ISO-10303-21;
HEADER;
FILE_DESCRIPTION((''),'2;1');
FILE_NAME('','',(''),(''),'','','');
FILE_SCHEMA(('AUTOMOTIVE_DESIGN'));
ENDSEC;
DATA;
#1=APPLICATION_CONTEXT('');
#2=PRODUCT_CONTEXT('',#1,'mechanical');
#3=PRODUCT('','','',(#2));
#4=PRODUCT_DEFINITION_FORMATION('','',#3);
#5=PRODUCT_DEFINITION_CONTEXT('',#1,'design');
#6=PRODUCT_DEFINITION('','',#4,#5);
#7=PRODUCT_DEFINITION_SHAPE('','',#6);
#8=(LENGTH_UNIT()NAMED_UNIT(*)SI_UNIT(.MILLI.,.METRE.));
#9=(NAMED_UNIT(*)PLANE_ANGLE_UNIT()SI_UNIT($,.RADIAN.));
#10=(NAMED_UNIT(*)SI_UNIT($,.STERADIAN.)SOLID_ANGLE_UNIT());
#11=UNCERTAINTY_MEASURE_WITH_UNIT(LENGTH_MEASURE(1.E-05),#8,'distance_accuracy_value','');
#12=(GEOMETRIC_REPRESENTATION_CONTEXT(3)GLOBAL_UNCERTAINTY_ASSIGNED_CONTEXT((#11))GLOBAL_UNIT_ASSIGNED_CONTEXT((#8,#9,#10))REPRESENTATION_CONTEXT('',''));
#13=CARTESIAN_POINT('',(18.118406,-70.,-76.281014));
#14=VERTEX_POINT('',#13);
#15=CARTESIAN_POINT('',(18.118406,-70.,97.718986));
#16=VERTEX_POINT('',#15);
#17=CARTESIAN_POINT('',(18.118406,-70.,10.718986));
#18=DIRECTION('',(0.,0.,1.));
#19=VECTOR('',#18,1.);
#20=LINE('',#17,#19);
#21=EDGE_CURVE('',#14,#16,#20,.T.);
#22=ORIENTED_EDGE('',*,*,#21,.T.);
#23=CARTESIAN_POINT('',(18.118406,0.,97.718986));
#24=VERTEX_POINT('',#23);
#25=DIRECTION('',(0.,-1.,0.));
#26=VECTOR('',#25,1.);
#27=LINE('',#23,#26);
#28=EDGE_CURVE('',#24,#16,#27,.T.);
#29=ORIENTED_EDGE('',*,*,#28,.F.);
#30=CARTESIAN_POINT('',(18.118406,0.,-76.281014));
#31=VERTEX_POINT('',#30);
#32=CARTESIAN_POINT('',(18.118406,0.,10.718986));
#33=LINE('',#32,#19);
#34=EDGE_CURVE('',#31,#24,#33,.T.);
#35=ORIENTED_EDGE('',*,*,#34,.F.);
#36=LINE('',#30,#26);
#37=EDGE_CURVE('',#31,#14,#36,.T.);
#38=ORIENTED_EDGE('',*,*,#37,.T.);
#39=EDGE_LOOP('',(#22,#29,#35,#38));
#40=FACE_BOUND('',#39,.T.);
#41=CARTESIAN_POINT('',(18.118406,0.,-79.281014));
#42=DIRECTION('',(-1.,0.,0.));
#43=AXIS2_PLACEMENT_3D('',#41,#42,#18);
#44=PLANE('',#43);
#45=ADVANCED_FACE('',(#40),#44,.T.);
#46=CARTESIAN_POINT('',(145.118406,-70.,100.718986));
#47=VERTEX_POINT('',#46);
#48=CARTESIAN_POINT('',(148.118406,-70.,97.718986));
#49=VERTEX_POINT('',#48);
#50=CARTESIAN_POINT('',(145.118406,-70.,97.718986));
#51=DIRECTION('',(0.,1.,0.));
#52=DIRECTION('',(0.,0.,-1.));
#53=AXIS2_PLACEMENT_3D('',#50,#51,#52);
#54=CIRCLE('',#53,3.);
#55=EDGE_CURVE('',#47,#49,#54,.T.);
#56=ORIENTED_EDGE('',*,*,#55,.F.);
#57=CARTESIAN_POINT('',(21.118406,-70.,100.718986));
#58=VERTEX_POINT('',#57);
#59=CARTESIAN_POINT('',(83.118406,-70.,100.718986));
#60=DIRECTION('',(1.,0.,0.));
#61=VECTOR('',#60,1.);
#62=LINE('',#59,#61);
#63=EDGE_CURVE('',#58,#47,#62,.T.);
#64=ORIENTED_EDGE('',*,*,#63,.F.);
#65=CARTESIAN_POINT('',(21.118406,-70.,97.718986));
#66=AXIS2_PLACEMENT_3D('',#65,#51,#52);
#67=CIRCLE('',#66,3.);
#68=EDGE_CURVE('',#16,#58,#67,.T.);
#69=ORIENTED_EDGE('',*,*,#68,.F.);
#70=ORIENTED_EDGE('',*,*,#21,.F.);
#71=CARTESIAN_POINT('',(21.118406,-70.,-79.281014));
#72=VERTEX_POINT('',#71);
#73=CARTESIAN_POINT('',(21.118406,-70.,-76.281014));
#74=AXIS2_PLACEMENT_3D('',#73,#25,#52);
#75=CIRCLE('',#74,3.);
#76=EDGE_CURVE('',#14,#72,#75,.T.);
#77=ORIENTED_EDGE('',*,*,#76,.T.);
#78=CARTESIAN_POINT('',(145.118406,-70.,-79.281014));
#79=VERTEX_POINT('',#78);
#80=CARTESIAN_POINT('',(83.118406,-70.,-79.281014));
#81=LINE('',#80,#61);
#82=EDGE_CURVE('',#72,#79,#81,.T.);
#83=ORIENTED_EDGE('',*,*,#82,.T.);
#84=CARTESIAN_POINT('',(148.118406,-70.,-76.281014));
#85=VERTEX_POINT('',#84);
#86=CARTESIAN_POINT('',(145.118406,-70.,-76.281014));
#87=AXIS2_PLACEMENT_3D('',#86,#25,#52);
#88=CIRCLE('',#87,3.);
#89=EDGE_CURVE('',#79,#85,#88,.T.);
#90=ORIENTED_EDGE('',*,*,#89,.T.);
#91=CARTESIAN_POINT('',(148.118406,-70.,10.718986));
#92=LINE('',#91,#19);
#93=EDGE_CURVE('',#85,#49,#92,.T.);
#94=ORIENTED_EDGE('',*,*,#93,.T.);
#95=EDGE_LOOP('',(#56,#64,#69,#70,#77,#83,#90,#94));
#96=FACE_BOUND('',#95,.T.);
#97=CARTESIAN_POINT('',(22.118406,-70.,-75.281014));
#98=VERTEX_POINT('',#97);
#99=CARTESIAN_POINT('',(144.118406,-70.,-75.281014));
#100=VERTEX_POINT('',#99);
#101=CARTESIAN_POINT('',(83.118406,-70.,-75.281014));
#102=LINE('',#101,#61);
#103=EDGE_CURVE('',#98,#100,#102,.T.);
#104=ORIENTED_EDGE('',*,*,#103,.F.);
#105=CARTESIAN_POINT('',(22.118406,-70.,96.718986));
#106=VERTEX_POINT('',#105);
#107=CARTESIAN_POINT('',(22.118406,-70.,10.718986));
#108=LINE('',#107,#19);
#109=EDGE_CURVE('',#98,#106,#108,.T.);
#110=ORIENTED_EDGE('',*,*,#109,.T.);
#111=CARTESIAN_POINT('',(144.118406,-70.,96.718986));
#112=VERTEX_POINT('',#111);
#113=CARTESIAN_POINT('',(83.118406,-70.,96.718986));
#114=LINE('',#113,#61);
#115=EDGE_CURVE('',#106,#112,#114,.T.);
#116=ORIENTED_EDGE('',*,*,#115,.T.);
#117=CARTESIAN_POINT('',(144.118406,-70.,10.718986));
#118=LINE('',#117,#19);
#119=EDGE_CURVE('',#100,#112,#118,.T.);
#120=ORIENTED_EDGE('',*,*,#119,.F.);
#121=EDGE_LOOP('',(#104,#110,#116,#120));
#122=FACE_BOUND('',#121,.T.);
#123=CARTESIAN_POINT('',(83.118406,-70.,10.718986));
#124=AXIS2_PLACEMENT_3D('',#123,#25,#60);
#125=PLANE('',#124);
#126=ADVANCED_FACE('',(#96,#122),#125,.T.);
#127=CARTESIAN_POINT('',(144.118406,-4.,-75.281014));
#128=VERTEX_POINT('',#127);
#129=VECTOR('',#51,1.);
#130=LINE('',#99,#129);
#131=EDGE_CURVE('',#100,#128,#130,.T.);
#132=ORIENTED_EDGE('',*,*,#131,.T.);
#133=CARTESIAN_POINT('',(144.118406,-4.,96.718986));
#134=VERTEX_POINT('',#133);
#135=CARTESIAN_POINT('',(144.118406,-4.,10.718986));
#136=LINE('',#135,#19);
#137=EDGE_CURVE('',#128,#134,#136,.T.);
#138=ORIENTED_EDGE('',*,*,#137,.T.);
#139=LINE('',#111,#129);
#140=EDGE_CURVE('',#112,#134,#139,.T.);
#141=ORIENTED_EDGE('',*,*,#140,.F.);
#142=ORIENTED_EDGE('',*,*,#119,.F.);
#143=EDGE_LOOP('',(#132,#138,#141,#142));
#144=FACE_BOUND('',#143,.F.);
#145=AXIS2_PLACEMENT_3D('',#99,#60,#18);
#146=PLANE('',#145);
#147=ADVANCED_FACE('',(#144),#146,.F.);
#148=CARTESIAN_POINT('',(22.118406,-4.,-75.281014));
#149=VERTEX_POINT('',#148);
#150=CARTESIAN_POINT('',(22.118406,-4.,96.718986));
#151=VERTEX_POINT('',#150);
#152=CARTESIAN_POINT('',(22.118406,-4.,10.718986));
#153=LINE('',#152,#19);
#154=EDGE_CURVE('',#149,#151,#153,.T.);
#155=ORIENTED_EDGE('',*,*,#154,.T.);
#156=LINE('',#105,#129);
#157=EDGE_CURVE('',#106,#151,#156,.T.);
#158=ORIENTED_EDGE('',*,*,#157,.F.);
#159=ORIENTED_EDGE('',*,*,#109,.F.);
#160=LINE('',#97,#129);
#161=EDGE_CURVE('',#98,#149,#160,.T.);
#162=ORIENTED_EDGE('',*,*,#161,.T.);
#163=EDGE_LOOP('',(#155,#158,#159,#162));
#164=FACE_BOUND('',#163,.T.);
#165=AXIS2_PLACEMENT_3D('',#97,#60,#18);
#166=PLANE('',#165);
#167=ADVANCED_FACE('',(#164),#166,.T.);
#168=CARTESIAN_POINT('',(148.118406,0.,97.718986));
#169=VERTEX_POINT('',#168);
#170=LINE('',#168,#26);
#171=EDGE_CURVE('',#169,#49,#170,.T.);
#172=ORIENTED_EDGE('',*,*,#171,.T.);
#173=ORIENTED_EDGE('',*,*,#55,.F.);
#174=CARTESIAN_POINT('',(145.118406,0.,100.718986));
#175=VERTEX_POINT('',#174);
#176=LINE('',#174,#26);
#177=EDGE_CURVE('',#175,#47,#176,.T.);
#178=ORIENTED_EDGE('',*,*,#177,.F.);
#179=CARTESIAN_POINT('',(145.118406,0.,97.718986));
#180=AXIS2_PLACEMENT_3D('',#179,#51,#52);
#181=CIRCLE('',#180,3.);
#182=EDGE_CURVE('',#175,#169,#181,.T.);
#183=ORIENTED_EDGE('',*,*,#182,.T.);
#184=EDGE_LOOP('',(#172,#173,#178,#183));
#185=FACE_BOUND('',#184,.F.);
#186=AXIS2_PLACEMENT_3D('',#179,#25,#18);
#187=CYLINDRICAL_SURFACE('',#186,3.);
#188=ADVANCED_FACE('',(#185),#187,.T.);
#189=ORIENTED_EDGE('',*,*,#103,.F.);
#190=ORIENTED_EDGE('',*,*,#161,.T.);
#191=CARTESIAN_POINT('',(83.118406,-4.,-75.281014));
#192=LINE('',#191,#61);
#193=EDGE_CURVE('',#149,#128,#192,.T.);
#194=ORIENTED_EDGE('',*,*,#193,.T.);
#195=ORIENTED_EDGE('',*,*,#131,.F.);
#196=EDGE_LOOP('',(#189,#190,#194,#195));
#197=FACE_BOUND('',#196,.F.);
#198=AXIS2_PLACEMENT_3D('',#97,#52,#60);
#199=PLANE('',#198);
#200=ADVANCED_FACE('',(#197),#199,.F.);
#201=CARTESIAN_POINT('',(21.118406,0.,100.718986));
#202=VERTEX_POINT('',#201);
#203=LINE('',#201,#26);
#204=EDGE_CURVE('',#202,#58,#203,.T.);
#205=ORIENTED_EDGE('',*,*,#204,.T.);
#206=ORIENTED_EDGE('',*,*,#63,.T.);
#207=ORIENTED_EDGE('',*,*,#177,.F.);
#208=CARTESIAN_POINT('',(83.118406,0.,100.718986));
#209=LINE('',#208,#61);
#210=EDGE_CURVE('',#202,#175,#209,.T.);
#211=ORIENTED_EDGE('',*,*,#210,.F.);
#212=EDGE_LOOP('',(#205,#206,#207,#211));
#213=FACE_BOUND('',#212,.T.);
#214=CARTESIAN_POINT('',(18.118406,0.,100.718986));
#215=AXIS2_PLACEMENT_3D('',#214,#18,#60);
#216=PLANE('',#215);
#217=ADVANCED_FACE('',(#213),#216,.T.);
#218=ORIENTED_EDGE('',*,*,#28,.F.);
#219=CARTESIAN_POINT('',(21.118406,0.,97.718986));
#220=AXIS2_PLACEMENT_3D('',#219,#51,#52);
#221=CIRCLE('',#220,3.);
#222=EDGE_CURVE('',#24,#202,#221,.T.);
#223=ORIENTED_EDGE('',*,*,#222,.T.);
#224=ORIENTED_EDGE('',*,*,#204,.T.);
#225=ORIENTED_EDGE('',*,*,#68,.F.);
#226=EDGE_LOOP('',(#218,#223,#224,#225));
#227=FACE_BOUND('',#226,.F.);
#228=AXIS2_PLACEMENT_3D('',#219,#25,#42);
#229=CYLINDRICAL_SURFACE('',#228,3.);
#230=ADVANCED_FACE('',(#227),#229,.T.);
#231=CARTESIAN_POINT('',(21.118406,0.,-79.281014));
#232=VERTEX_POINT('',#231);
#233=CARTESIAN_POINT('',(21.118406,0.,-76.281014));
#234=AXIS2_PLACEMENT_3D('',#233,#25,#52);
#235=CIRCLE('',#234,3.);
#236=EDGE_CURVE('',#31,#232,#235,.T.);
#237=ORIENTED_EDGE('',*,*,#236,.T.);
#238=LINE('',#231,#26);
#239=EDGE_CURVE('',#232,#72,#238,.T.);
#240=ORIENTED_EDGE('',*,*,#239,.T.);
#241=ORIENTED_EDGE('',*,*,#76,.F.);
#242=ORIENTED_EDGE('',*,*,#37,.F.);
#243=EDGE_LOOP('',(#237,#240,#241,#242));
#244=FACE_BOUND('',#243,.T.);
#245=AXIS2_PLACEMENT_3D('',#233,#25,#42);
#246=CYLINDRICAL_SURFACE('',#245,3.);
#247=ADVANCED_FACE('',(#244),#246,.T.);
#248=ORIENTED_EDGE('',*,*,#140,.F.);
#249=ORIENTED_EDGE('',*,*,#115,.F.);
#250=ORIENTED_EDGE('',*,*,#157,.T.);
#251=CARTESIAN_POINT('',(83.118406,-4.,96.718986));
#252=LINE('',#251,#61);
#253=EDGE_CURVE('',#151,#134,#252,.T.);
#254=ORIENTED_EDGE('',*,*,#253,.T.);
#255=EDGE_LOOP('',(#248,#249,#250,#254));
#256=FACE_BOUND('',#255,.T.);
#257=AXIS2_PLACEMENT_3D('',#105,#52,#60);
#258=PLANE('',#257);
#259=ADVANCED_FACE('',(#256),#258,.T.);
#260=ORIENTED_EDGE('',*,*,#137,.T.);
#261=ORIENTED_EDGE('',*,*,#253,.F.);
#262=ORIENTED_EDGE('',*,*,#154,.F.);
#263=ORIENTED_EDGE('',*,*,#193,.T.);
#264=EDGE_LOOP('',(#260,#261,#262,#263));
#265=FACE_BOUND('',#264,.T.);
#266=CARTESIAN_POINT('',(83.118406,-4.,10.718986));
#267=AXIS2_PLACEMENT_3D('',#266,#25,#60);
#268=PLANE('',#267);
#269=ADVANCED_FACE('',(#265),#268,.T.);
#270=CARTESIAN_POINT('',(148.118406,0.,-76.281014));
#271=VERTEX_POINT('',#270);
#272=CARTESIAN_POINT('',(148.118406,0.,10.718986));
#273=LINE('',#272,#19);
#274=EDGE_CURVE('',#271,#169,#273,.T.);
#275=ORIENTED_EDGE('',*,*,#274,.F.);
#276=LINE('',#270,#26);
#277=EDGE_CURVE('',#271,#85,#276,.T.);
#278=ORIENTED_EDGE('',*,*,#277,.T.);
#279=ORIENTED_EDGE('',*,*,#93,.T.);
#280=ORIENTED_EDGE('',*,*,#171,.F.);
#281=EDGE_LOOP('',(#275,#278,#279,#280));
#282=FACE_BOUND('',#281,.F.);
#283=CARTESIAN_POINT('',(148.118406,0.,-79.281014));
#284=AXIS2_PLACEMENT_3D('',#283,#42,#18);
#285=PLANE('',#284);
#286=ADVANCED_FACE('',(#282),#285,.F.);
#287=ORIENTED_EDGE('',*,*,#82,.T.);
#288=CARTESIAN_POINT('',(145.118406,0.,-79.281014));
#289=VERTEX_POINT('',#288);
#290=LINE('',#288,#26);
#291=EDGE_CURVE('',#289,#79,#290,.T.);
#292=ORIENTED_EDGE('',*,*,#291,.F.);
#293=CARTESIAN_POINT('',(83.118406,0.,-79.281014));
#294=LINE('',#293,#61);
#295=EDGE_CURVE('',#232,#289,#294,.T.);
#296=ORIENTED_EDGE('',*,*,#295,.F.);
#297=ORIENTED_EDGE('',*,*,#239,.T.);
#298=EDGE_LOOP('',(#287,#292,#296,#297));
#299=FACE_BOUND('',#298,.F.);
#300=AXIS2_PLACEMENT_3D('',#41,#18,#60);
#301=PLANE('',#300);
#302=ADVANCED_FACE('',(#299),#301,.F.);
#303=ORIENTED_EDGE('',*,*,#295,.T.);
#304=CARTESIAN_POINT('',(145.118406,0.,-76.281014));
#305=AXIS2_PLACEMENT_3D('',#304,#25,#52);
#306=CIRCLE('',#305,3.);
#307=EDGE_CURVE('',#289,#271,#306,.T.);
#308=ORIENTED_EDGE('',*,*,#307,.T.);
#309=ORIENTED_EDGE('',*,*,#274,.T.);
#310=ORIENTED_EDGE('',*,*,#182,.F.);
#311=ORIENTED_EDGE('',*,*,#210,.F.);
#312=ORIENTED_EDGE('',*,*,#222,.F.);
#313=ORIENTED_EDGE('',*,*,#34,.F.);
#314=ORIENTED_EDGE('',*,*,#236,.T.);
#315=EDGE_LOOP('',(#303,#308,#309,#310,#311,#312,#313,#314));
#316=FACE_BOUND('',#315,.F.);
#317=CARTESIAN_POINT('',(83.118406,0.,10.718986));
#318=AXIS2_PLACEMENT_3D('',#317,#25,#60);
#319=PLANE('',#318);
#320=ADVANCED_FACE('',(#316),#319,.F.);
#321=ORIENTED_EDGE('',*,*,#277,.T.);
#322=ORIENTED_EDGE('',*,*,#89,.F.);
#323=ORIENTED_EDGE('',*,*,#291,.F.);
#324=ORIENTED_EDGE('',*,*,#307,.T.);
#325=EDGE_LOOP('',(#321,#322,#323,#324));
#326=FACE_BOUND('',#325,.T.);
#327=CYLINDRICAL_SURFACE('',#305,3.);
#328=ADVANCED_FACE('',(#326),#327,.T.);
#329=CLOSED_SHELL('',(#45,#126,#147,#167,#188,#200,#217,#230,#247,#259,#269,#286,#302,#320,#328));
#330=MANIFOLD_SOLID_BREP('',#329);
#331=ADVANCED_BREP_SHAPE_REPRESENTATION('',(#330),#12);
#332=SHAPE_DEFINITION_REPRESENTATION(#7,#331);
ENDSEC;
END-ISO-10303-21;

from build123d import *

# Parameters (mm, degrees)
F0_W     = 130
F0_H     = 180
F1_DEPTH = 70
F2_W     = 122
F2_H     = 172
F3_DEPTH = 66
F4_R     = 3


with BuildPart() as f1:
    # F0 (on Front) → F1 (new body)
    with BuildSketch(Plane.XZ):
        with Locations((83.118406, 10.718986)):
            Rectangle(F0_W, F0_H)
    extrude(amount=F1_DEPTH)

    # F2 (on face) → F3 (cut)
    with BuildSketch(Plane.XZ.offset(70)):
        with Locations((83.118406, 10.718986)):
            Rectangle(F2_W, F2_H)
    extrude(amount=-F3_DEPTH, mode=Mode.SUBTRACT)

    # F4
    f4_edges = [f1.edges().sort_by_distance(p)[0] for p in [
        (18.118406, -35, 100.718986),
        (148.118406, -35, 100.718986),
        (18.118406, -35, -79.281014),
        (148.118406, -35, -79.281014),
    ]]
    fillet(f4_edges, radius=F4_R)


solid = f1.part
